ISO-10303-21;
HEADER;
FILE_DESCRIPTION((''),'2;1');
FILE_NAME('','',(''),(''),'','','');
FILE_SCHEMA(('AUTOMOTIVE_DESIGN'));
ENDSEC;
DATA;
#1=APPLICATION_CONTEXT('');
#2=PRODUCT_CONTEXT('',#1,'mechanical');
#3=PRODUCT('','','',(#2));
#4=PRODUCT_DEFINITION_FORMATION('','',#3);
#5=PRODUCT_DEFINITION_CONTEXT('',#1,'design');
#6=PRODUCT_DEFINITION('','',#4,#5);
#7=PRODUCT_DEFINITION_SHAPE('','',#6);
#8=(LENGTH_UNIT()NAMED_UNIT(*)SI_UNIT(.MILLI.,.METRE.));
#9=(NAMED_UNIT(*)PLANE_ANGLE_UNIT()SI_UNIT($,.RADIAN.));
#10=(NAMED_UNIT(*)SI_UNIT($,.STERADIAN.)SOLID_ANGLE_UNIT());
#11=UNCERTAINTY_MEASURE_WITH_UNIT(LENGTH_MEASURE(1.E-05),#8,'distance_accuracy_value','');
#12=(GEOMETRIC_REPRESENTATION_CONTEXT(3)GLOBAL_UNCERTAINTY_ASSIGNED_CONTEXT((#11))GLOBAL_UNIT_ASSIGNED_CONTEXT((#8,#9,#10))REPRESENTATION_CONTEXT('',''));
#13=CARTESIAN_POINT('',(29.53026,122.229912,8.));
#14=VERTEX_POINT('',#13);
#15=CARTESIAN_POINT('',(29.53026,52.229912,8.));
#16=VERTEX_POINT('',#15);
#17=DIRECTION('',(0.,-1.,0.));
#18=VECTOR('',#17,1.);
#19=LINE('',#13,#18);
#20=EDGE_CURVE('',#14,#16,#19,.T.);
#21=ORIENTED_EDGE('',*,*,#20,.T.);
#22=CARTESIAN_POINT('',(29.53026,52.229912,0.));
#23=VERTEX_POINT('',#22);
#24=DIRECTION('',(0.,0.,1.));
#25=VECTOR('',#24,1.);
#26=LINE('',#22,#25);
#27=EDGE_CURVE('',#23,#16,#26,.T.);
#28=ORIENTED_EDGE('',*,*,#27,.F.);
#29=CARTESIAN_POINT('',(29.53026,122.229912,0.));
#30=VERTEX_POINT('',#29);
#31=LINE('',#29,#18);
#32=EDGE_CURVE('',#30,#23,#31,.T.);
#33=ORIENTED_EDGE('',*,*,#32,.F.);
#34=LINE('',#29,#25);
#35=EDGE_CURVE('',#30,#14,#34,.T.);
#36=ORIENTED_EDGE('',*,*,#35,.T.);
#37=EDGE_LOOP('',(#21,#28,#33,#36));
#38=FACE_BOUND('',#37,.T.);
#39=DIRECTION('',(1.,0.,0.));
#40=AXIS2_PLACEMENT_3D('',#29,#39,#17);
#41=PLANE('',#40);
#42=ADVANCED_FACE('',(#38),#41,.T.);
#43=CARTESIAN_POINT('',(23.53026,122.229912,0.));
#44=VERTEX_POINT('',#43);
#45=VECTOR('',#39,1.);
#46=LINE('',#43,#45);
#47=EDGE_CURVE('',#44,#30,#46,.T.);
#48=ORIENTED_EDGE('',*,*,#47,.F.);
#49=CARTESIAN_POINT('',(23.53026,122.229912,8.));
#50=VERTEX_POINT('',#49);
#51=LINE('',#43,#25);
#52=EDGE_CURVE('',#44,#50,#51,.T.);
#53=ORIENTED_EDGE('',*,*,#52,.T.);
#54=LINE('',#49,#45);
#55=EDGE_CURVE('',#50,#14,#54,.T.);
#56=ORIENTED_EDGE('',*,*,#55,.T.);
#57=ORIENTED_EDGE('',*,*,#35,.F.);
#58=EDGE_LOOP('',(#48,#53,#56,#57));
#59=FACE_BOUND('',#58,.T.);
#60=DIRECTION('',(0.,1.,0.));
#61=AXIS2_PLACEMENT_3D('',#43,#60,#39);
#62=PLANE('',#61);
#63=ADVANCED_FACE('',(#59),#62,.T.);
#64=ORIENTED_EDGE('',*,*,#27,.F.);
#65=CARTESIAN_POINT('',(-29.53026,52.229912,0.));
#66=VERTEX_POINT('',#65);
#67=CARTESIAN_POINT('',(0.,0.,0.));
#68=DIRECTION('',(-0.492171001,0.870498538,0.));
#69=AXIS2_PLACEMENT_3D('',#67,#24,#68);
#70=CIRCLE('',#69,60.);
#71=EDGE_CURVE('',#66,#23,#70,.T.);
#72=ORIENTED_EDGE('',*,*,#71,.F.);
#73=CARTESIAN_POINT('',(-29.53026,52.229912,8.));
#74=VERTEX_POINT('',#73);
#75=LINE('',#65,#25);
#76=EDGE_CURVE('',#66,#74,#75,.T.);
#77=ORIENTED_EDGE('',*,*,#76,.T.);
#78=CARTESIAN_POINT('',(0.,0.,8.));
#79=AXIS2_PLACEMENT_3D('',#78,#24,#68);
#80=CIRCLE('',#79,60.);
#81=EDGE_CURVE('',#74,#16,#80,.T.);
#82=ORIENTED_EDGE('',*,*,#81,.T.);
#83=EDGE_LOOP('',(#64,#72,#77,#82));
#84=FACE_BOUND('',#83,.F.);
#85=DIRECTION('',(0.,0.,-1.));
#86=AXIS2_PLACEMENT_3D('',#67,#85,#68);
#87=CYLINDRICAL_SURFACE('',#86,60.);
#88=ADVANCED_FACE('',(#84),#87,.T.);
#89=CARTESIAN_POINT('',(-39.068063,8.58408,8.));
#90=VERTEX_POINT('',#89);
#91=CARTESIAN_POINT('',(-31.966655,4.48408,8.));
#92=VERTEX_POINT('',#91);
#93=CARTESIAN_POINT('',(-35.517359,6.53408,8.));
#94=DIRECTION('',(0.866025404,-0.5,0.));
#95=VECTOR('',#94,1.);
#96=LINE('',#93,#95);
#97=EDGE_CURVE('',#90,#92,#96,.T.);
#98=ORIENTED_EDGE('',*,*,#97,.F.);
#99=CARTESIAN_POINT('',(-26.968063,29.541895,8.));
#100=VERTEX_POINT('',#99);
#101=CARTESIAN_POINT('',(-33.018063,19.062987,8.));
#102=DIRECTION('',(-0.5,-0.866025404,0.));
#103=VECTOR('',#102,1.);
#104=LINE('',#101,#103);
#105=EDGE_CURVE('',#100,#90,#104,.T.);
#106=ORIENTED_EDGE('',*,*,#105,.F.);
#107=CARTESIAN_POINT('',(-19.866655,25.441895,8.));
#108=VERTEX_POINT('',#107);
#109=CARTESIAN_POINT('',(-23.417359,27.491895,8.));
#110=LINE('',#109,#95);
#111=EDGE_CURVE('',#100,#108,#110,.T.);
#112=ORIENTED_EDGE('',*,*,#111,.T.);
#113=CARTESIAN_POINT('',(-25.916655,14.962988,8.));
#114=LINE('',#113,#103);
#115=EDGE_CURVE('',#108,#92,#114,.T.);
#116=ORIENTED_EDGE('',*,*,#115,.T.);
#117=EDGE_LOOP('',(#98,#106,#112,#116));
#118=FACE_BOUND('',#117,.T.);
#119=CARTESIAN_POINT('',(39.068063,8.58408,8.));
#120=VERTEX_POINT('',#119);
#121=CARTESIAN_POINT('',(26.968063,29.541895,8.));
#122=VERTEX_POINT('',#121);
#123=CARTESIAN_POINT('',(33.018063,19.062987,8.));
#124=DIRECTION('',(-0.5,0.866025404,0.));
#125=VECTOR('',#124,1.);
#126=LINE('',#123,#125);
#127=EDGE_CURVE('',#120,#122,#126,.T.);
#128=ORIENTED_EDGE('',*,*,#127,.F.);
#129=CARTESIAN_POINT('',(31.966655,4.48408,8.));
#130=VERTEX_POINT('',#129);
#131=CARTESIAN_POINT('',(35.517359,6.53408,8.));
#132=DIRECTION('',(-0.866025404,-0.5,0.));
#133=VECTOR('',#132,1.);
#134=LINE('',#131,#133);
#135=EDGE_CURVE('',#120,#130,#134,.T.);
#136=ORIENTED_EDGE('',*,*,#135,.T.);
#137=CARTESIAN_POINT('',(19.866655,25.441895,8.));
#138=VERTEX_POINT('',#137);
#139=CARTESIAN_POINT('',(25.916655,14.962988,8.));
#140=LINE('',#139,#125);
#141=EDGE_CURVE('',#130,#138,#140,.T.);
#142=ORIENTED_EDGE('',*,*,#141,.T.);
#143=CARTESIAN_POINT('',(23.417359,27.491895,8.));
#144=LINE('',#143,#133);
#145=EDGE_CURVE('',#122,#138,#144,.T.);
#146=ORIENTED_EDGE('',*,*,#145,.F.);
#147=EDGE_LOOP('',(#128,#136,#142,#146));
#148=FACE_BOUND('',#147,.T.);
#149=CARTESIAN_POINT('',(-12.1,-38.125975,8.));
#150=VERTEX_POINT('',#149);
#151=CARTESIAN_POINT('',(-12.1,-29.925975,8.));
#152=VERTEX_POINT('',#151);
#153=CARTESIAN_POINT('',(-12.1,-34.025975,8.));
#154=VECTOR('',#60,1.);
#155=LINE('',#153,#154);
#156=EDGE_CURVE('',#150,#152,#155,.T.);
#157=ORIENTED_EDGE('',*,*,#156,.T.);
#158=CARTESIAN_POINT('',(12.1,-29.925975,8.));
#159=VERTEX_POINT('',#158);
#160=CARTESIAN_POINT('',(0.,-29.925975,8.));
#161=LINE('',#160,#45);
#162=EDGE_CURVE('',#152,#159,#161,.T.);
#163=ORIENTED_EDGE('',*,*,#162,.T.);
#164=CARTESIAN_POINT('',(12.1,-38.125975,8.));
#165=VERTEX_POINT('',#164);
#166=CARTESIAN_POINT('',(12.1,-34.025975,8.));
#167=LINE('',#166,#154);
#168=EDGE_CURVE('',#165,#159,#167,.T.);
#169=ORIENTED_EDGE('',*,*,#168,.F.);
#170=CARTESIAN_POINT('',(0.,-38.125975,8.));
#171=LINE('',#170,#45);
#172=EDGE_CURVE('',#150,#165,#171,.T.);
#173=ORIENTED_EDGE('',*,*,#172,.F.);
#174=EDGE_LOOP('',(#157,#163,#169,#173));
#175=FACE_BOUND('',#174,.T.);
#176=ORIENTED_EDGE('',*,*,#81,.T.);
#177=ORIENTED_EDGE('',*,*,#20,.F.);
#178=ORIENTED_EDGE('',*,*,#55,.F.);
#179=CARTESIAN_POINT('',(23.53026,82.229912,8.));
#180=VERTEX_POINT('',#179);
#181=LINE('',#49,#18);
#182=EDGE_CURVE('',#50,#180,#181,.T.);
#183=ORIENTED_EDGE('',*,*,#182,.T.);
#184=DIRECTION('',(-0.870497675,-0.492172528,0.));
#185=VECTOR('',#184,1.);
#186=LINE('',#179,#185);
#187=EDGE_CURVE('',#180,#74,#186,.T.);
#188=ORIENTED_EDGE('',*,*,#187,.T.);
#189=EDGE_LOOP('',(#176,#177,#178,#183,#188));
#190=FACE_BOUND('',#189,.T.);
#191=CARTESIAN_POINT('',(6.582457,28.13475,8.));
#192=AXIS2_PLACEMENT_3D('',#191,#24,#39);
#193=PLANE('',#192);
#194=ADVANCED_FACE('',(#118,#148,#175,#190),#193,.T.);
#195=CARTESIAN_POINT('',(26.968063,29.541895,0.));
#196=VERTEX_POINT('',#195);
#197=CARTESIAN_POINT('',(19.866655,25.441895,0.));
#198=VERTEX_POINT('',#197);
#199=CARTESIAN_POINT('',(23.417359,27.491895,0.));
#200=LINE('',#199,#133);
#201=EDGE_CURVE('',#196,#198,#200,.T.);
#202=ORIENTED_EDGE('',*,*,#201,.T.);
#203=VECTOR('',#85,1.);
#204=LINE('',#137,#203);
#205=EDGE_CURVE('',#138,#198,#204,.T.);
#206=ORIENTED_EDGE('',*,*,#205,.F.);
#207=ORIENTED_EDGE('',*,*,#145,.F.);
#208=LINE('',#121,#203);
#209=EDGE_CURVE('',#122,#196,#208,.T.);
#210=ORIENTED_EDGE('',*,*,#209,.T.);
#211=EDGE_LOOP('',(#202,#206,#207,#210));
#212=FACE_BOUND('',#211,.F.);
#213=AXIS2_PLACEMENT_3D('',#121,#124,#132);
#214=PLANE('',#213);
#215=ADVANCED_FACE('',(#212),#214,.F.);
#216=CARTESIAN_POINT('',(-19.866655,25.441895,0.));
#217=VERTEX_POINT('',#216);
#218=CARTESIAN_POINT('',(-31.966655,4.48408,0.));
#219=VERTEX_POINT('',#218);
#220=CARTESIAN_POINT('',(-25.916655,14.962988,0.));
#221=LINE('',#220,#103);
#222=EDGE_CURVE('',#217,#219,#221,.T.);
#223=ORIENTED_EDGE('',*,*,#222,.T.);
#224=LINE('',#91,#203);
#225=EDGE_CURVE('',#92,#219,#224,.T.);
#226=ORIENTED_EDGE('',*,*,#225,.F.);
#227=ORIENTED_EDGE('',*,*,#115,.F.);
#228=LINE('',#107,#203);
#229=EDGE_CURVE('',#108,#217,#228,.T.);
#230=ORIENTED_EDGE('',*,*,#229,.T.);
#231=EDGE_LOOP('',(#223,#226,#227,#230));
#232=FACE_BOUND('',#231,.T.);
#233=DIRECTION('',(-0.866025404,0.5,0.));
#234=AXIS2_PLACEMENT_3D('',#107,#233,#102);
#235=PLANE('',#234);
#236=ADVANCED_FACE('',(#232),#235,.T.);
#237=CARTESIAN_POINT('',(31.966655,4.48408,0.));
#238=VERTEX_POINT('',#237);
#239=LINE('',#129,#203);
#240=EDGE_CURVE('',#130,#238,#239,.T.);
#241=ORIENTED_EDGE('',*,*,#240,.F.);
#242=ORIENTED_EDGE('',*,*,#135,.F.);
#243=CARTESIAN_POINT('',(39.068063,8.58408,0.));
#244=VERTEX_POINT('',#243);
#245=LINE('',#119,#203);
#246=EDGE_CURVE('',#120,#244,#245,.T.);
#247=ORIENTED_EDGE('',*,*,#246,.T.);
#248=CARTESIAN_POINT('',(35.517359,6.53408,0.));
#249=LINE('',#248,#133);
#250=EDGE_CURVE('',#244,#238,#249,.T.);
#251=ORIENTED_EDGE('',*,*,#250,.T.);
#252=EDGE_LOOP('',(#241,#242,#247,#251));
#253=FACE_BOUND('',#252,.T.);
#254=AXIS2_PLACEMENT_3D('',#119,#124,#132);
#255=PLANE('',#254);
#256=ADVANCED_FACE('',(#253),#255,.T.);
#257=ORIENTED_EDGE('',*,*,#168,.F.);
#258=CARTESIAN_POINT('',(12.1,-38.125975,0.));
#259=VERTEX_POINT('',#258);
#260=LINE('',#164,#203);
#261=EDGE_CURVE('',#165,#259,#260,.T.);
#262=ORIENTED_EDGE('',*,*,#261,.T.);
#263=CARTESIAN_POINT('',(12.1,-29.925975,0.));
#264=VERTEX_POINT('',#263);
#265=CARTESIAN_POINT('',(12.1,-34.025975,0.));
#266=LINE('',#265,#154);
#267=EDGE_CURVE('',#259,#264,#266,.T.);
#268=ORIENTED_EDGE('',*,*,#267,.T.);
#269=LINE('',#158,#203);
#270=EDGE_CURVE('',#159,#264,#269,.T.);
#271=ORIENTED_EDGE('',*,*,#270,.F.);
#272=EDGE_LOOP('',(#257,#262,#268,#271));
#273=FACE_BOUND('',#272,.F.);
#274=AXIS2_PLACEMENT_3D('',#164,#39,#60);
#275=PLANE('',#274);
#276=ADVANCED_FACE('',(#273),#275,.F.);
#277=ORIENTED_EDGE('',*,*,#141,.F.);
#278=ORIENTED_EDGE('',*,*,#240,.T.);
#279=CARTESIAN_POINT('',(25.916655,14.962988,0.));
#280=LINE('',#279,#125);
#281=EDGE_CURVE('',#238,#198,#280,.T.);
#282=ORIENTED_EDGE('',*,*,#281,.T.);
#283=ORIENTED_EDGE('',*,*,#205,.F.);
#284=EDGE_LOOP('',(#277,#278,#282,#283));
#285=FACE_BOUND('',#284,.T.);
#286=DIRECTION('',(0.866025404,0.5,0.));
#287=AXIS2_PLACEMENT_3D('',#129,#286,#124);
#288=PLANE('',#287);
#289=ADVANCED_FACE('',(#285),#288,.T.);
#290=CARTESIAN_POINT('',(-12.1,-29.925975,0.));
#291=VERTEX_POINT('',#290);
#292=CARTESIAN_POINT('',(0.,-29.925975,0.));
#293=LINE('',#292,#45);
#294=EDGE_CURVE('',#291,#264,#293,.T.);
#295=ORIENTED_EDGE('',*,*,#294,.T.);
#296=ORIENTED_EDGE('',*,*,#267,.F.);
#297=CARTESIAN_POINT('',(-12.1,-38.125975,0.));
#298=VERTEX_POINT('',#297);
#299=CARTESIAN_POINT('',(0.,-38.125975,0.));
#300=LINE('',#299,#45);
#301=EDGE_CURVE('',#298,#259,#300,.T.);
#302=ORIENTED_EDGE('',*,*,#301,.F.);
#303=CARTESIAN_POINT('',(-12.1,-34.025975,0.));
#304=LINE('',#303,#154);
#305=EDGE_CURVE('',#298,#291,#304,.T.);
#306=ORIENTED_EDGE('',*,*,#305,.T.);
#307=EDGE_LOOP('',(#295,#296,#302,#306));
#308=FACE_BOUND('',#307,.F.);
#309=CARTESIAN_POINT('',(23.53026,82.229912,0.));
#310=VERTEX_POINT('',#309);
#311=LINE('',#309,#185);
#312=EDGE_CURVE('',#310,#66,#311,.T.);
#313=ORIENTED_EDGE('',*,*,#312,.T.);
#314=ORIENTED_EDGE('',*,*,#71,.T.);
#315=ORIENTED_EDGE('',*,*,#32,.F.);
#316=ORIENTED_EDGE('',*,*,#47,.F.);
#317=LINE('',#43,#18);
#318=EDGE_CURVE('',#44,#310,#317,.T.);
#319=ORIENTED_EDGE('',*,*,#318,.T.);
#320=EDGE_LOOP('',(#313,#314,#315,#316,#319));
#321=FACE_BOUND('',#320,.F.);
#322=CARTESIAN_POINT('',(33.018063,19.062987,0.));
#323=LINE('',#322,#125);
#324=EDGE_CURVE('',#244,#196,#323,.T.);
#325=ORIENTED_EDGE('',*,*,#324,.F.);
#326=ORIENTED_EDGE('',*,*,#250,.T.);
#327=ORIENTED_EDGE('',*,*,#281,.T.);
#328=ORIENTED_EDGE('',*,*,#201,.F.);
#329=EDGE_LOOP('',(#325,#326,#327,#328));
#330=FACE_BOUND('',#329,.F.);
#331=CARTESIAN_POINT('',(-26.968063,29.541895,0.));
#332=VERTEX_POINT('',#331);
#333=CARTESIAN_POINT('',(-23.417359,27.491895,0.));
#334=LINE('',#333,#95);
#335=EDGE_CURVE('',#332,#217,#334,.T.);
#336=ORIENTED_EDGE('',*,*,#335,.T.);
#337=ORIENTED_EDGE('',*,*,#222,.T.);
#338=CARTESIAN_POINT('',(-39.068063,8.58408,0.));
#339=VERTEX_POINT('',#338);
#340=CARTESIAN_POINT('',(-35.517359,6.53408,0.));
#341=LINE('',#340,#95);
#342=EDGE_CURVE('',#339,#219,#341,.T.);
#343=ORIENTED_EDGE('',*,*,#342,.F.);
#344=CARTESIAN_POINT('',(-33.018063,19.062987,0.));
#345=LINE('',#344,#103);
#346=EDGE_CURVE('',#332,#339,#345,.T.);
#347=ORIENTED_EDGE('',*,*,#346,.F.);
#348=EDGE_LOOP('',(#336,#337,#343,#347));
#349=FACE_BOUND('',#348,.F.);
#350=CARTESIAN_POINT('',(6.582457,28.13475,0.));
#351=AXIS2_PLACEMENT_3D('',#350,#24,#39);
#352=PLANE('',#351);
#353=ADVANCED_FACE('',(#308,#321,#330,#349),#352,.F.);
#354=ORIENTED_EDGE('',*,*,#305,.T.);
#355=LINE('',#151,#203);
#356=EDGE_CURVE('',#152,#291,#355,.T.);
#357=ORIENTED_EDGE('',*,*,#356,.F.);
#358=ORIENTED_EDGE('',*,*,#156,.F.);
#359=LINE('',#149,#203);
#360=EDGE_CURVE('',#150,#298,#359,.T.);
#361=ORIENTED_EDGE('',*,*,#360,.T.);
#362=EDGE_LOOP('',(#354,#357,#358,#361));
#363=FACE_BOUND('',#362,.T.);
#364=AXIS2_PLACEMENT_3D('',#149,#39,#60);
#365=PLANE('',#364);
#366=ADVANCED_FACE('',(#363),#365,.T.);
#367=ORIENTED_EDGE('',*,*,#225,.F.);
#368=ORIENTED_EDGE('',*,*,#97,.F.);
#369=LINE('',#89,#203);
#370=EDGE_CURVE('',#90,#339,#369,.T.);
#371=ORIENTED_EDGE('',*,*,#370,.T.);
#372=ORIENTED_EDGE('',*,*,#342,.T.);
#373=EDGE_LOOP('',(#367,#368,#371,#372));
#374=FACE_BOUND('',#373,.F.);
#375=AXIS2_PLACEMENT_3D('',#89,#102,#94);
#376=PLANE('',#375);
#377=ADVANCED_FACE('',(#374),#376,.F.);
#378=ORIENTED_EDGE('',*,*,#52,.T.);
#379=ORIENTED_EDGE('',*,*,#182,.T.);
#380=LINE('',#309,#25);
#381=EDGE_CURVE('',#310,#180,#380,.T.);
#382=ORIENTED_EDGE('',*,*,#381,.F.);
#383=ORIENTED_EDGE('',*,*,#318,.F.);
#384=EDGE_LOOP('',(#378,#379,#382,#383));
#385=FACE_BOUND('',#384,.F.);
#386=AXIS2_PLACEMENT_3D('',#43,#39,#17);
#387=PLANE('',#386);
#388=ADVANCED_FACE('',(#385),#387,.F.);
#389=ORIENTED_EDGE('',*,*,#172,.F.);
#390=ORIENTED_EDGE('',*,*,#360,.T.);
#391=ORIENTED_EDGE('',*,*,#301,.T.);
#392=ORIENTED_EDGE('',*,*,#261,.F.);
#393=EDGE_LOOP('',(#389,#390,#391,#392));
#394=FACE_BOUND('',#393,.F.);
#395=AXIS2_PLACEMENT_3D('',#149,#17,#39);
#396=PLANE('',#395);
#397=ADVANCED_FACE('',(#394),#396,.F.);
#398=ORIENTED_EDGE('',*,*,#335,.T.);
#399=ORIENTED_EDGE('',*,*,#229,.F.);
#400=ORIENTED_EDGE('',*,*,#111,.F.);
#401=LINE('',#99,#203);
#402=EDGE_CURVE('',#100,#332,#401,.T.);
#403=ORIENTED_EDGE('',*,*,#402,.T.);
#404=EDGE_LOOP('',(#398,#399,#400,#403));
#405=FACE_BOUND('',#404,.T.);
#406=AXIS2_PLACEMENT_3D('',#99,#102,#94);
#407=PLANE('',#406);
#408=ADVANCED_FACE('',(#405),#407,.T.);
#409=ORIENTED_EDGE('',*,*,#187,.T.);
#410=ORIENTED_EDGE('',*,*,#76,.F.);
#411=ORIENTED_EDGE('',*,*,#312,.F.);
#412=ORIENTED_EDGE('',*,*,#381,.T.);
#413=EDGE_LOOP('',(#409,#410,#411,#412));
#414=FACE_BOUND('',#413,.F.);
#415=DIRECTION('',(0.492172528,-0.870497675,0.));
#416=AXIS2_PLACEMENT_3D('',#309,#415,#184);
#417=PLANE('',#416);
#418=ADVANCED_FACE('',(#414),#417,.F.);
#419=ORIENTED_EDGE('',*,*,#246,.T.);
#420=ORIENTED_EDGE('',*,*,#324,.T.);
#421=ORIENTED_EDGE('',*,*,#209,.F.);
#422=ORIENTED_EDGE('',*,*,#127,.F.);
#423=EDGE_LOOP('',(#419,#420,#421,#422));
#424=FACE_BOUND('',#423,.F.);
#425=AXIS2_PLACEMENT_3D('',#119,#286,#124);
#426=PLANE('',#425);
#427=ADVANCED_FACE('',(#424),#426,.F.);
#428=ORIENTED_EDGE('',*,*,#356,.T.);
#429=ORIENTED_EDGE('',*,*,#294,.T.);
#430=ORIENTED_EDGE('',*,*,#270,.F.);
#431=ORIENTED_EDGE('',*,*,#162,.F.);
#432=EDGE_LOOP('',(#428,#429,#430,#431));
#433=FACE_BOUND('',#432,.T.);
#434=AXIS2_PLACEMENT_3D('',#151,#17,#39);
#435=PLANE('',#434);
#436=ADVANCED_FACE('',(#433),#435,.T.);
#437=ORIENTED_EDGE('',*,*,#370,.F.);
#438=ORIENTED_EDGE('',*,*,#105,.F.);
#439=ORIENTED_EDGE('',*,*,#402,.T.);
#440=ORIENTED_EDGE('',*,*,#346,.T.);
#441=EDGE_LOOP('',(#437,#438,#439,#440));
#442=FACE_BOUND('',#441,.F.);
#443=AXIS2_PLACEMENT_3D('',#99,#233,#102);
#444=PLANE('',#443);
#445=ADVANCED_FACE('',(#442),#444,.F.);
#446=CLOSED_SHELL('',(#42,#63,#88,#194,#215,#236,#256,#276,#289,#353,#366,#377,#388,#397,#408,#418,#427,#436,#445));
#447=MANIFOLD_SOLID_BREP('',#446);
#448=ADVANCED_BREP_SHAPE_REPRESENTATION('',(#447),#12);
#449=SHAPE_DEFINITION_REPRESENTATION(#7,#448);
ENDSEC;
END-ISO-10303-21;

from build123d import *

# Parameters (mm, degrees)
PAD_DEPTH          = 8
SKETCH001_W        = 24.2
SKETCH001_H        = 8.2
POCKET_DEPTH       = 8
POLARPATTERN_COUNT = 3


with BuildPart() as part:
    # Sketch → Pad (new body)
    with BuildSketch(Plane.XY):
        with BuildLine():
            ThreePointArc((-29.53026, 52.229912), (0, -60), (29.53026, 52.229912))
            Line((29.53026, 122.229912), (29.53026, 52.229912))
            Line((23.53026, 122.229912), (29.53026, 122.229912))
            Line((23.53026, 122.229912), (23.53026, 82.229912))
            Line((23.53026, 82.229912), (-29.53026, 52.229912))
        make_face()
    extrude(amount=PAD_DEPTH)

    # Sketch001 → Pocket (cut)
    with BuildSketch(Plane.XY.offset(8)):
        with Locations((0, -34.025975)):
            Rectangle(SKETCH001_W, SKETCH001_H)
    pocket = extrude(amount=-POCKET_DEPTH, mode=Mode.SUBTRACT)

    # PolarPattern: Pocket ×3 about axis
    polarpattern_axis = Axis((0, 0, 8), (0, 0, 1))
    for i in range(1, POLARPATTERN_COUNT):
        add(pocket.rotate(polarpattern_axis, i * 360 / POLARPATTERN_COUNT), mode=Mode.SUBTRACT)


solid = part.part
